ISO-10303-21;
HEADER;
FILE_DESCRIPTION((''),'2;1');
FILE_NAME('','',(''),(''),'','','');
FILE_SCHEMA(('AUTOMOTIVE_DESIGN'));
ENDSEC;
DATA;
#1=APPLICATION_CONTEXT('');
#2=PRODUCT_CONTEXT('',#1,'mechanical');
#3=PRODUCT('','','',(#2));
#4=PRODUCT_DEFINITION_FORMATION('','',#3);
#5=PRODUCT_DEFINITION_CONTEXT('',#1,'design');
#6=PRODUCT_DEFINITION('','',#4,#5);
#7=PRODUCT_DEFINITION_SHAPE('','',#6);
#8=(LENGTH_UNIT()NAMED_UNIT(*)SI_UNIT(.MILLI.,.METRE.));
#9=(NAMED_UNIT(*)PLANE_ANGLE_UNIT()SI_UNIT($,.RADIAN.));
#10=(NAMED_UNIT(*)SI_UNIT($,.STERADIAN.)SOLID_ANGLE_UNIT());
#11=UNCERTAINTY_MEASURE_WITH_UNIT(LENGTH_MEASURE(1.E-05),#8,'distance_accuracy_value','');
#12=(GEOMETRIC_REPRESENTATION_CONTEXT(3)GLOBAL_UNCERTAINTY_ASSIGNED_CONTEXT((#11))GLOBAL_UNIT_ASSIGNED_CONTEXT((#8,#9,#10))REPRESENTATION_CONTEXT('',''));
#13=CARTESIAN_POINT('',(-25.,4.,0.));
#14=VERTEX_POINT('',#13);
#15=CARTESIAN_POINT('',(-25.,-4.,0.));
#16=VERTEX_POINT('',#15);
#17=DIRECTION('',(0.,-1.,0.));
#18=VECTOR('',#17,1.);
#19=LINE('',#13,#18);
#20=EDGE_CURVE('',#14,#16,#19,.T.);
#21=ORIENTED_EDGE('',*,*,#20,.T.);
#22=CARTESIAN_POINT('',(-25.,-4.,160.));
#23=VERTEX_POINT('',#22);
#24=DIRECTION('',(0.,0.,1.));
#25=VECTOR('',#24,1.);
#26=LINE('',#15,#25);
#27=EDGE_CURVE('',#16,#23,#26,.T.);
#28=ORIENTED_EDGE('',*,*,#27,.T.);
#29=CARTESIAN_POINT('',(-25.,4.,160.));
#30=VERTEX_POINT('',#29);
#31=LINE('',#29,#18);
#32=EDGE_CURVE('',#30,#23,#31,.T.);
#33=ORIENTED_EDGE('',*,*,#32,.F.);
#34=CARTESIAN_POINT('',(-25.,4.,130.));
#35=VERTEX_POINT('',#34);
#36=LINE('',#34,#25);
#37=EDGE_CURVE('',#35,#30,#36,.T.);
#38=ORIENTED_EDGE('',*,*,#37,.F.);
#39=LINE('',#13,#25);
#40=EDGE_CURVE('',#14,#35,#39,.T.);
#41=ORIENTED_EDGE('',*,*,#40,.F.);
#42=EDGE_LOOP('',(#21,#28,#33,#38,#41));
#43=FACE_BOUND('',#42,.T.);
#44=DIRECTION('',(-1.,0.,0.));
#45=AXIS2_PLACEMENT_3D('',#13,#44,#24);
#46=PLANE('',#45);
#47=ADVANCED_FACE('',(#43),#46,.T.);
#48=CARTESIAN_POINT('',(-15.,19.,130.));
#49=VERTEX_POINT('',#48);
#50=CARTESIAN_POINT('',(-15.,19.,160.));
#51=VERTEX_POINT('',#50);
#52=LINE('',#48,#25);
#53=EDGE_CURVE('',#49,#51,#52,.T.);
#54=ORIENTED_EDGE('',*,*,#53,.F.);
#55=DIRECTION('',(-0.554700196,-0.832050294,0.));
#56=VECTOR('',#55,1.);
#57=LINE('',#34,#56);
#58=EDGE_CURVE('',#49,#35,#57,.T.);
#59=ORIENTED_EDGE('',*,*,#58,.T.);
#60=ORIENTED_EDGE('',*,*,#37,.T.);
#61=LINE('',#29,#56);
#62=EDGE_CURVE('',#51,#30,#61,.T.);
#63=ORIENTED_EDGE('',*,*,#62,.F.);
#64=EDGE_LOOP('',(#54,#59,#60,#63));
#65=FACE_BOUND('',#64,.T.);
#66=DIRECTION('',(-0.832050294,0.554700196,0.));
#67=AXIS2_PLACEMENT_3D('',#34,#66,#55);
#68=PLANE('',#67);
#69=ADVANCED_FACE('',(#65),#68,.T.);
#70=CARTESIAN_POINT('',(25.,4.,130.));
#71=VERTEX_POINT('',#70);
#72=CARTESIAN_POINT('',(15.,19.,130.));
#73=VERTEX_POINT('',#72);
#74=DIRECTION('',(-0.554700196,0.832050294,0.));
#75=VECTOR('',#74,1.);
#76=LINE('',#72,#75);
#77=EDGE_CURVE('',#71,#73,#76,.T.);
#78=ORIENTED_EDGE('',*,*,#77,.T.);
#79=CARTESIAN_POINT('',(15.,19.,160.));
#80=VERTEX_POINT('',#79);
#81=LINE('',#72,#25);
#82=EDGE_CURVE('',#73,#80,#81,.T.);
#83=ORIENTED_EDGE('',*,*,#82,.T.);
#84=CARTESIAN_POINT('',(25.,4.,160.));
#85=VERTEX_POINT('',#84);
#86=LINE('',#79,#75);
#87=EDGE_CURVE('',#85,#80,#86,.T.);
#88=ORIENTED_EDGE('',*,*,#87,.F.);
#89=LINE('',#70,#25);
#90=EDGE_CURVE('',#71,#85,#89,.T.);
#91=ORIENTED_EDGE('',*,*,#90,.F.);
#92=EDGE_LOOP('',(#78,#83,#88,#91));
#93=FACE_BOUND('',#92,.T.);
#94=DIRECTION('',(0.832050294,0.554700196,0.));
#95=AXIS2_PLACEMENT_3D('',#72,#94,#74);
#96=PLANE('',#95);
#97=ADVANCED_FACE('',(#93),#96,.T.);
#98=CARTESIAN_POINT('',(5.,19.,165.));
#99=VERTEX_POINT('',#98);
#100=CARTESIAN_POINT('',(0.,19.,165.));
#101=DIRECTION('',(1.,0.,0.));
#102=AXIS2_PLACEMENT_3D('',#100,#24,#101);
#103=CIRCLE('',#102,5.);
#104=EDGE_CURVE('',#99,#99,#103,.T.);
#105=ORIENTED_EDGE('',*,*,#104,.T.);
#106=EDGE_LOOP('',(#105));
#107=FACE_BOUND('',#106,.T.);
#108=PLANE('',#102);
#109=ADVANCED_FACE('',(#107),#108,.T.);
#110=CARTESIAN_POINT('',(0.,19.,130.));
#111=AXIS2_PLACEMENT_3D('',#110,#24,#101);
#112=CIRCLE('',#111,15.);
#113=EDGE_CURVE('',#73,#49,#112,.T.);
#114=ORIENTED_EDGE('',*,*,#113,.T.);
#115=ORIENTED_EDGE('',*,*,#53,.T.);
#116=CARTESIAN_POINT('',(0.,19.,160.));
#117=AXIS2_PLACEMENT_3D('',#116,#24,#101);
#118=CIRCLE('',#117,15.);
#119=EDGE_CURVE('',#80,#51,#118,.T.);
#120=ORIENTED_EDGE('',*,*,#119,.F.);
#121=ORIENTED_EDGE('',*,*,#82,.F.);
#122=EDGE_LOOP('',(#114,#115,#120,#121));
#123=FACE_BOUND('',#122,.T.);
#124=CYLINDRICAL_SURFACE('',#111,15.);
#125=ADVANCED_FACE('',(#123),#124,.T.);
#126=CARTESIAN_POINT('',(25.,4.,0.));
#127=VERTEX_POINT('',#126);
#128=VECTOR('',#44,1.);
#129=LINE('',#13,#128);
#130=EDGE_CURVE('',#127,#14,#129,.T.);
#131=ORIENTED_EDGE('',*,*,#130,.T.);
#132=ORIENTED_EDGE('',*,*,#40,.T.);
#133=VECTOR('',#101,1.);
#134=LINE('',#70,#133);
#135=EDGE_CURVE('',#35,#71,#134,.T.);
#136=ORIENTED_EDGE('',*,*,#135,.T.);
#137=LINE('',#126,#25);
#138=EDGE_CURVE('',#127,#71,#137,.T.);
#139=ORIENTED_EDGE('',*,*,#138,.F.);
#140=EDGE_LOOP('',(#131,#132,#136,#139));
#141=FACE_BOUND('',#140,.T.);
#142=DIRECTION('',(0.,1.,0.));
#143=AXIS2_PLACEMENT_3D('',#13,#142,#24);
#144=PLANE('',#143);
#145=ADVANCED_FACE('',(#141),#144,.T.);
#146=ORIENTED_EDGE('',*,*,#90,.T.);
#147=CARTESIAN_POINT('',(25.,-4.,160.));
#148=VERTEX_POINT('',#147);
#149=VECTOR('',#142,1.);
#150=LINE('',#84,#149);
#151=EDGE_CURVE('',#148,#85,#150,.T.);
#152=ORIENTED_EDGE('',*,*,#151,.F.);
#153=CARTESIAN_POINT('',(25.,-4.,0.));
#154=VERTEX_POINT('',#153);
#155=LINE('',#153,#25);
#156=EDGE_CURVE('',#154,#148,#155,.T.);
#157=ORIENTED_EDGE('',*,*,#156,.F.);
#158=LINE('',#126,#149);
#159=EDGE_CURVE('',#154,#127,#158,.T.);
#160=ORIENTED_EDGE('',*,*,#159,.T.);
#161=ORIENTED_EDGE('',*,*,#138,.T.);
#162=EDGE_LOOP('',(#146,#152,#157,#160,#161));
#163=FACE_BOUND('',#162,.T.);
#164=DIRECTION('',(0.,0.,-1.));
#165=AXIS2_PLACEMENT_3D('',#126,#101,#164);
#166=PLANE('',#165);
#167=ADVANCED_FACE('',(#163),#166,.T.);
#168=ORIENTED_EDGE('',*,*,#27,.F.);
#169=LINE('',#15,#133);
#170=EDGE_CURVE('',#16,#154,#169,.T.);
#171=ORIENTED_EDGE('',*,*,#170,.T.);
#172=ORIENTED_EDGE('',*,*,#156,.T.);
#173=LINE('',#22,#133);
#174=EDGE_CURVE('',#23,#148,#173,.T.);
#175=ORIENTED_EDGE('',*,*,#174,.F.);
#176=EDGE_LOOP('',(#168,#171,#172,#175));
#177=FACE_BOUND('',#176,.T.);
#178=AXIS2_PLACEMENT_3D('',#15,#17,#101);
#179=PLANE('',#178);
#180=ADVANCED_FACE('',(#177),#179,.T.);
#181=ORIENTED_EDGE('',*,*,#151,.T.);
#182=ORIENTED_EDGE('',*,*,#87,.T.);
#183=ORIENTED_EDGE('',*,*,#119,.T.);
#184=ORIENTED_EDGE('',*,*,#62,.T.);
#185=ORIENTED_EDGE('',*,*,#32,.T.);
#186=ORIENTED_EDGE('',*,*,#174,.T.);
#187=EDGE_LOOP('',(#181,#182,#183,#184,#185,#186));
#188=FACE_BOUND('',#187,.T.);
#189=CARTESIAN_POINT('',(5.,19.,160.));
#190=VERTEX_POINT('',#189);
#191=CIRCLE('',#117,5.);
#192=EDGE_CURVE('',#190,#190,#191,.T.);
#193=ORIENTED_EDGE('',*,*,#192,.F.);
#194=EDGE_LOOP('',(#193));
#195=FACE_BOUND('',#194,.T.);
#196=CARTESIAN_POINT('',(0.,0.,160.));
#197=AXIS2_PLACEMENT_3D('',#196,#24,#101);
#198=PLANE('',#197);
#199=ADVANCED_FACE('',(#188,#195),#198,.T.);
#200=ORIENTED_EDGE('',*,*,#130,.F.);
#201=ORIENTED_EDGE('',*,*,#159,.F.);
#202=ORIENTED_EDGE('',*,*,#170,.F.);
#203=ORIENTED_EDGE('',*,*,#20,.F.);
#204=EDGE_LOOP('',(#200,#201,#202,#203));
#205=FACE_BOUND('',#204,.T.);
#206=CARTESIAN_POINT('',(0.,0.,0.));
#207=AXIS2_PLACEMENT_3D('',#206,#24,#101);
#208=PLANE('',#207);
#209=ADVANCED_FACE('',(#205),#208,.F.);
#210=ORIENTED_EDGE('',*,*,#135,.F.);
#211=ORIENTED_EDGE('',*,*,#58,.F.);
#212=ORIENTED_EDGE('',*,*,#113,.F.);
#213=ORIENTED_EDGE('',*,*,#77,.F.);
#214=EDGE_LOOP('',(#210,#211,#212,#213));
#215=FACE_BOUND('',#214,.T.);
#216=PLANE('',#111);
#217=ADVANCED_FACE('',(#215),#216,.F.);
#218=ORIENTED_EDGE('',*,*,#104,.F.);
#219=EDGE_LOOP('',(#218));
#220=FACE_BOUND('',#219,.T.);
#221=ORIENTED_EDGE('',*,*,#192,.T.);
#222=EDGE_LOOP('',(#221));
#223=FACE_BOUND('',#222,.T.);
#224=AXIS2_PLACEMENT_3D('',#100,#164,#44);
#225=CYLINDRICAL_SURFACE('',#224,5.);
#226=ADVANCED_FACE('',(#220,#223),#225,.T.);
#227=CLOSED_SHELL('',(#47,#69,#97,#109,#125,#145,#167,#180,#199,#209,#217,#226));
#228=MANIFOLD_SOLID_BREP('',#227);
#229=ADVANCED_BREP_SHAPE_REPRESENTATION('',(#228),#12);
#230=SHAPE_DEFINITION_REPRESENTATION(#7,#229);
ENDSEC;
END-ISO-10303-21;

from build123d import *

# Parameters (mm, degrees)
SKETCH_1_W      = 50
SKETCH_1_H      = 8
EXTRUDE_2_DEPTH = 30
SKETCH_5_R      = 5
EXTRUDE_3_DEPTH = 5


with BuildPart() as part:
    # 扫描1: sweep along a path in 草图2
    with BuildLine(Plane(origin=(0, 0, 0), x_dir=(0, 0, -1), z_dir=(1, 0, 0))) as sweep_1_path:
        Line((0, 55.298323556), (-160, 55.298323556))
    # 草图1 → 扫描1 (sweep)
    with BuildSketch(Plane.XY):
        Rectangle(SKETCH_1_W, SKETCH_1_H)
    sweep(path=sweep_1_path.line)

    # 草图4 → 凸台-拉伸2 (add)
    with BuildSketch(Plane.XY.offset(160)):
        with BuildLine():
            Line((15, 19), (25, 4))
            Line((25, 4), (-25, 4))
            Line((-25, 4), (-15, 19))
            ThreePointArc((-15, 19), (0, 34), (15, 19))
        make_face()
    extrude(amount=-EXTRUDE_2_DEPTH)

    # 草图5 → 凸台-拉伸3 (add)
    with BuildSketch(Plane.XY.offset(160)):
        with Locations((0, 19)):
            Circle(SKETCH_5_R)
    extrude(amount=EXTRUDE_3_DEPTH)


solid = part.part
